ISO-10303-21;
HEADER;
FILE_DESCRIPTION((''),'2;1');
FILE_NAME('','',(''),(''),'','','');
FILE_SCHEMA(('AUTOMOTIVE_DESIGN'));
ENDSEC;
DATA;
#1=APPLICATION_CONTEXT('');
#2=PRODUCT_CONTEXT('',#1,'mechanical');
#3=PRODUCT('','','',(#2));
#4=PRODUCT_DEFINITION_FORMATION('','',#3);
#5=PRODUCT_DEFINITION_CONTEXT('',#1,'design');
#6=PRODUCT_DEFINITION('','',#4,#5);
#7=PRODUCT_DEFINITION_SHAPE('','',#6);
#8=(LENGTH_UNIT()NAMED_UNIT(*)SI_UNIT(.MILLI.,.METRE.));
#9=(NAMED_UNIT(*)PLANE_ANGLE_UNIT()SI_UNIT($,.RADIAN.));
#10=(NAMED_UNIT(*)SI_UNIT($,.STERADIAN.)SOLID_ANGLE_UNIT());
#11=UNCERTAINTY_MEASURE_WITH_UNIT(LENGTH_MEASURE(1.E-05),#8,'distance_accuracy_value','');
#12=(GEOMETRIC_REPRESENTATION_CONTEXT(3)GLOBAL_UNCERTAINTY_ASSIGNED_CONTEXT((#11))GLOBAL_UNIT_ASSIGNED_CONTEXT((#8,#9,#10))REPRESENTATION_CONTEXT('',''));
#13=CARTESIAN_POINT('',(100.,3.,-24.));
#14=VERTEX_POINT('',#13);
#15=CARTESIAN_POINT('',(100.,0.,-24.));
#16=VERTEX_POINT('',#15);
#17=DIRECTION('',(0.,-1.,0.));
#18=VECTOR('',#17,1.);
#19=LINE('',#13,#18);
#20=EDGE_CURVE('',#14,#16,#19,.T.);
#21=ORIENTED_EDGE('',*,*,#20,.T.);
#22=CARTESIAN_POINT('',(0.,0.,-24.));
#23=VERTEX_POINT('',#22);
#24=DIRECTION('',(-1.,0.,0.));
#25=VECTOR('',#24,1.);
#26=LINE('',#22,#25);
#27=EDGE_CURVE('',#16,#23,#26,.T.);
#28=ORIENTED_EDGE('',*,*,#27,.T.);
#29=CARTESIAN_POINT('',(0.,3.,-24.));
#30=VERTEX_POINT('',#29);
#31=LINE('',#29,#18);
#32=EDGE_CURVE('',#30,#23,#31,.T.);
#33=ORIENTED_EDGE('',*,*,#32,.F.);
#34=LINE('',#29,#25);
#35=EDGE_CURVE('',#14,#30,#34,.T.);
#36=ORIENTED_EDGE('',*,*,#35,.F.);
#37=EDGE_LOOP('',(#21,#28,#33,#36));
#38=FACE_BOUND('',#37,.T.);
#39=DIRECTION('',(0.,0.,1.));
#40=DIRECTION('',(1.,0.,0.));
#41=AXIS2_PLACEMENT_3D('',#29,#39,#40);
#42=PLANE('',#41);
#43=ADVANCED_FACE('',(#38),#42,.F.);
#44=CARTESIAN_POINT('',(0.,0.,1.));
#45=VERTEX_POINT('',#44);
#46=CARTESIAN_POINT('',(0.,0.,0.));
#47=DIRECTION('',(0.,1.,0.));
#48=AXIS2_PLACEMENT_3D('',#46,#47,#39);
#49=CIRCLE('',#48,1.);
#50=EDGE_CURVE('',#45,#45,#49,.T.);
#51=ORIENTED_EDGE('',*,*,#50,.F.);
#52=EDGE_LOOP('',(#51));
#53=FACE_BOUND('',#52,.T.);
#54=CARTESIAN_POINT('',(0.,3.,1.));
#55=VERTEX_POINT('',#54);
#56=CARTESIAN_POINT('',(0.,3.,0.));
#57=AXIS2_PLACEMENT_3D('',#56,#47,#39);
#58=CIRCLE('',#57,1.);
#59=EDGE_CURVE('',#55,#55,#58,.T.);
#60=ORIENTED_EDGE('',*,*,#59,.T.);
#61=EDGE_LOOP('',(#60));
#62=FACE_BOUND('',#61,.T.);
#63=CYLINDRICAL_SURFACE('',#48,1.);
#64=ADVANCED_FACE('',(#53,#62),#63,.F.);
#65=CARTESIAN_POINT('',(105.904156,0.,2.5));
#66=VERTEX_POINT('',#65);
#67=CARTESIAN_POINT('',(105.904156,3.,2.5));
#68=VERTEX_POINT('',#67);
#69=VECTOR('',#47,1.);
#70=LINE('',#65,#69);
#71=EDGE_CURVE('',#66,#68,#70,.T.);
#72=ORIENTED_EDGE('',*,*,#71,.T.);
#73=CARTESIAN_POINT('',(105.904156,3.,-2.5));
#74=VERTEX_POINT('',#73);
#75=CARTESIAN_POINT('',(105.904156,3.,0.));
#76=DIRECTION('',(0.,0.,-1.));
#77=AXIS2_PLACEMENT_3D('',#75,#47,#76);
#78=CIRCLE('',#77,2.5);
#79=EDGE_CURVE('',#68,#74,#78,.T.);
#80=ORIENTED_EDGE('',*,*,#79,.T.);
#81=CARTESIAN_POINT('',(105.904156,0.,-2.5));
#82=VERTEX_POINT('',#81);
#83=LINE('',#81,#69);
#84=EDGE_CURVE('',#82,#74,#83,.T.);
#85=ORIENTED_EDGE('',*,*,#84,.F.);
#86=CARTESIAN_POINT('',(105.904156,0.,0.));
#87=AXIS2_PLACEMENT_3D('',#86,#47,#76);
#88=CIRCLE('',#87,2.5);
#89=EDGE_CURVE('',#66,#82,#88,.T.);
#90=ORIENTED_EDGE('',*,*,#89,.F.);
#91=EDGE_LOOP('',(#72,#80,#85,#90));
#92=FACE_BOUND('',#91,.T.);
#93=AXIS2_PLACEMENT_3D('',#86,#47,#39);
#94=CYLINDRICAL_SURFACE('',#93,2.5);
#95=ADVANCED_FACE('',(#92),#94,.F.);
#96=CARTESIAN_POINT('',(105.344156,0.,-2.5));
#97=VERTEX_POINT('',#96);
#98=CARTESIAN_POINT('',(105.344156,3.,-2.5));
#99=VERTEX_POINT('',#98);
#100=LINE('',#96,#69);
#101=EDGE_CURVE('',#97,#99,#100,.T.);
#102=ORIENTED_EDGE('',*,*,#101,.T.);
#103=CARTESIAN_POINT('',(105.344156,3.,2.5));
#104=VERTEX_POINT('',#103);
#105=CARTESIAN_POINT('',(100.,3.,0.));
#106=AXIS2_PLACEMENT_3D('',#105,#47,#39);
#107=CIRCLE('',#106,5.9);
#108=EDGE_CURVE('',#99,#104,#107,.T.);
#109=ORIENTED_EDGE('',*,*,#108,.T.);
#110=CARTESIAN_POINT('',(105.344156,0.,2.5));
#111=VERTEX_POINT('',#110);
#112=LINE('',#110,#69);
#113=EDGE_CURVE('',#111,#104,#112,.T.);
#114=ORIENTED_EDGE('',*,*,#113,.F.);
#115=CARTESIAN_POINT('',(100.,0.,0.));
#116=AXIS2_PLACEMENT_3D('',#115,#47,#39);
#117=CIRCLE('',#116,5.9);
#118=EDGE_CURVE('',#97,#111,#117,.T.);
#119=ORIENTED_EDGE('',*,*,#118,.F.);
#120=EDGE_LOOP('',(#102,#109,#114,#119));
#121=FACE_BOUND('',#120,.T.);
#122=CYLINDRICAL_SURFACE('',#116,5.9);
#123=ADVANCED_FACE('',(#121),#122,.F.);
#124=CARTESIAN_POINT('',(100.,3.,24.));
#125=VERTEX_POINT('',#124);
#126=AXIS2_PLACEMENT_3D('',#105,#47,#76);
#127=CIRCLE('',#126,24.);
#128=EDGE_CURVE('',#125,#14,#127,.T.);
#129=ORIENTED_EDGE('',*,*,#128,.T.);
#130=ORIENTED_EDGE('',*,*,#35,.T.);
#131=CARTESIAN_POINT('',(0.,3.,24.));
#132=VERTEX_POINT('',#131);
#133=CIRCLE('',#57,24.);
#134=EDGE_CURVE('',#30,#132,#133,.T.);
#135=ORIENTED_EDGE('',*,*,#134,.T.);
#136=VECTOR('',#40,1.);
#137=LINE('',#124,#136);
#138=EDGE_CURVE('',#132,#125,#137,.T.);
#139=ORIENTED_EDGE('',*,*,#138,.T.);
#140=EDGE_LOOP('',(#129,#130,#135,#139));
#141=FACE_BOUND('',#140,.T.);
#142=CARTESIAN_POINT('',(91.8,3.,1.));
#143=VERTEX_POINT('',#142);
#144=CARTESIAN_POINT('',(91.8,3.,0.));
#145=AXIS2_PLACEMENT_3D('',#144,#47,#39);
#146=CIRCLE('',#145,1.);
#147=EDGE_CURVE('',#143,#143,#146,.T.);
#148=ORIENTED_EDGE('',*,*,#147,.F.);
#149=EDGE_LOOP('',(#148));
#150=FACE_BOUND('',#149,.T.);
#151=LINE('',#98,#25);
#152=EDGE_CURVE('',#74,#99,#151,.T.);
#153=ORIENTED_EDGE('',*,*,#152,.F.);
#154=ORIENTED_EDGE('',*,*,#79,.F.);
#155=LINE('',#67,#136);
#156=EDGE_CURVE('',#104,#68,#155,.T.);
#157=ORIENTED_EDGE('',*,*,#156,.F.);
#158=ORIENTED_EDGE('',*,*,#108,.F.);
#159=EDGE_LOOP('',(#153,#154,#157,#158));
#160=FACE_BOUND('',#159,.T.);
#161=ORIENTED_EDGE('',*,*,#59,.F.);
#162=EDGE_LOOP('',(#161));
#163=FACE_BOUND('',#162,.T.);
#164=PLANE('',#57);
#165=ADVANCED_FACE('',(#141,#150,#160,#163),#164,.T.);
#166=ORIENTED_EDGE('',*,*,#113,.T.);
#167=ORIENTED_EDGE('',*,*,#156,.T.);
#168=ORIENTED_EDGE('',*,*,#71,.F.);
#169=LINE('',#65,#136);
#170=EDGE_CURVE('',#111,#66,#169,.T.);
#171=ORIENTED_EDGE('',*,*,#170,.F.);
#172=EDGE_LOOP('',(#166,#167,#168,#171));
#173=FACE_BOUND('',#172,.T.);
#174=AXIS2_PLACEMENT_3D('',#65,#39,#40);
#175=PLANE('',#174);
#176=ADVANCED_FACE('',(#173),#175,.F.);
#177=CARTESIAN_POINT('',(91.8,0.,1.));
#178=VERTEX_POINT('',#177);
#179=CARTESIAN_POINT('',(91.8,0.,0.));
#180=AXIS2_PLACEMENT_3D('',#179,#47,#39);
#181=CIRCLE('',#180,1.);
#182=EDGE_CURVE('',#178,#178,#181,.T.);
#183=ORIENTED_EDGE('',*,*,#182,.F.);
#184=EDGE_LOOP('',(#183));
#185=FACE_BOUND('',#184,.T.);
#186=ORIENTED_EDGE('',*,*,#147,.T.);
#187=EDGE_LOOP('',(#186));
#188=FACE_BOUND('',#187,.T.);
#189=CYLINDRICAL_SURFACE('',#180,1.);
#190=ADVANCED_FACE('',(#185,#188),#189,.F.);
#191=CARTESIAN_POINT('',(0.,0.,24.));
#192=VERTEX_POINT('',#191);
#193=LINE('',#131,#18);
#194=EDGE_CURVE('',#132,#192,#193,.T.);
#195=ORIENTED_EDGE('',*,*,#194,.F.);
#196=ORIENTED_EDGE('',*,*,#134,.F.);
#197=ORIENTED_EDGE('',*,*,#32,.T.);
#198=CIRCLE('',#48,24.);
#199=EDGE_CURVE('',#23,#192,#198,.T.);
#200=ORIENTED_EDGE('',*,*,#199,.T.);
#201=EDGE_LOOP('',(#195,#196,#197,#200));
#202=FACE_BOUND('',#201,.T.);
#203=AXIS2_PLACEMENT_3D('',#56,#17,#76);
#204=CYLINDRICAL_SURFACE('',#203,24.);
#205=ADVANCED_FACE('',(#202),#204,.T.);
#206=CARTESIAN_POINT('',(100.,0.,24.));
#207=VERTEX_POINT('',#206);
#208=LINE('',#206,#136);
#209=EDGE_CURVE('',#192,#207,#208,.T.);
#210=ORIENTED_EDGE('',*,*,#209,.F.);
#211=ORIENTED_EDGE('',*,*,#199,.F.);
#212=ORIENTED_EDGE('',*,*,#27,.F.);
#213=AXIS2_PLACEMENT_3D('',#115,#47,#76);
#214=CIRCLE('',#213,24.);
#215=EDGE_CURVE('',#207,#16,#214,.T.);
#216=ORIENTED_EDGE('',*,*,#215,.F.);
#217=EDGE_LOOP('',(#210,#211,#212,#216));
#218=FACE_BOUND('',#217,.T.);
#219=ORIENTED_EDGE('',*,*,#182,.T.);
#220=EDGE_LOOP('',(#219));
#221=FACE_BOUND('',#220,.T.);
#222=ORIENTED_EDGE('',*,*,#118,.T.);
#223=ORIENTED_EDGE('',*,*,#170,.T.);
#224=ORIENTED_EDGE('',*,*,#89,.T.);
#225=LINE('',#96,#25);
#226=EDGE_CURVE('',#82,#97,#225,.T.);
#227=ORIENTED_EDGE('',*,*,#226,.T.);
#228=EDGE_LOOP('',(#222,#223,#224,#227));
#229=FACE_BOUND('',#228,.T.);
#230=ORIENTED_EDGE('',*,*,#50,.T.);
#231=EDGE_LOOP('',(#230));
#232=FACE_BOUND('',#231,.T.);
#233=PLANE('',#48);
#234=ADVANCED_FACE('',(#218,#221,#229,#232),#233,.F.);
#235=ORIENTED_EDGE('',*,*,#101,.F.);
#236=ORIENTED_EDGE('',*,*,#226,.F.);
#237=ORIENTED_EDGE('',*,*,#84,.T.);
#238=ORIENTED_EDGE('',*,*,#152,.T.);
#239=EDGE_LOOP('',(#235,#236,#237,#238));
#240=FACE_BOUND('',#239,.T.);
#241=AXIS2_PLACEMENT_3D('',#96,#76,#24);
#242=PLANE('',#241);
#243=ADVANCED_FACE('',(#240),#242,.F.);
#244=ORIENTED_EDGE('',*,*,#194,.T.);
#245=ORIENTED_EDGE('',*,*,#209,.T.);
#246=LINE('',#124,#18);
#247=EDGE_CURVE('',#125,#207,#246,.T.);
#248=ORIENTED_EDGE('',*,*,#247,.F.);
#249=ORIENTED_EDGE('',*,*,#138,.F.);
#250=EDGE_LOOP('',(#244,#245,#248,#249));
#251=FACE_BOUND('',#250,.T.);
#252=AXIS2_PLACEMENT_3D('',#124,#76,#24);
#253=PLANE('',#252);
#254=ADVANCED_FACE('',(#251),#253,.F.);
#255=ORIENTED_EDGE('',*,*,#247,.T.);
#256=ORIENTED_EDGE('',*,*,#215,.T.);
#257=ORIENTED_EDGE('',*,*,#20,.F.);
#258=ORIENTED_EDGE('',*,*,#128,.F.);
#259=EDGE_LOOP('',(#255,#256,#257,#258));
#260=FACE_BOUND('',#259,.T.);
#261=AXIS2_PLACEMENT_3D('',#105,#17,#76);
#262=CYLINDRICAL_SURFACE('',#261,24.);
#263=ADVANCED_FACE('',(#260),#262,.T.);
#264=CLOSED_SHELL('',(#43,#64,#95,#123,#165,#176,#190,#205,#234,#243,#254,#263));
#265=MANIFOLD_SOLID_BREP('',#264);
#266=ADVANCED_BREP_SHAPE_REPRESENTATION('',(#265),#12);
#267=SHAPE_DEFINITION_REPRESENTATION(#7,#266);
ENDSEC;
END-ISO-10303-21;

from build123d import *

# Parameters (mm, degrees)
BOSS_EXTRUDE1_DEPTH = 3
SKETCH2_R           = 1
CUT_EXTRUDE1_DEPTH  = 3
CUT_EXTRUDE2_DEPTH  = 3
SKETCH4_R           = 1
CUT_EXTRUDE3_DEPTH  = 3


with BuildPart() as part:
    # Sketch1 → Boss-Extrude1 (new body)
    with BuildSketch(Plane(origin=(0, 0, 0), x_dir=(1, 0, 0), z_dir=(0, 1, 0))):
        with BuildLine():
            Line((0, 24), (100, 24))
            ThreePointArc((100, 24), (124, 0), (100, -24))
            Line((100, -24), (0, -24))
            ThreePointArc((0, -24), (-24, 0), (0, 24))
        make_face()
    extrude(amount=BOSS_EXTRUDE1_DEPTH)

    # Sketch2 → Cut-Extrude1 (cut)
    with BuildSketch(Plane(origin=(0, 3, 0), x_dir=(1, 0, 0), z_dir=(0, 1, 0))):
        with Locations(Location((0, 0, 0), (0, 0, 270))):
            Circle(SKETCH2_R)
    extrude(amount=-CUT_EXTRUDE1_DEPTH, mode=Mode.SUBTRACT)

    # Sketch3 → Cut-Extrude2 (cut)
    with BuildSketch(Plane(origin=(0, 3, 0), x_dir=(1, 0, 0), z_dir=(0, 1, 0))):
        with BuildLine():
            Line((105.344155686, 2.5), (105.904155686, 2.5))
            ThreePointArc((105.904155686, 2.5), (108.404155686, 0), (105.904155686, -2.5))
            Line((105.904155686, -2.5), (105.344155686, -2.5))
            ThreePointArc((105.344155686, -2.5), (94.1, 0), (105.344155686, 2.5))
        make_face()
    extrude(amount=-CUT_EXTRUDE2_DEPTH, mode=Mode.SUBTRACT)

    # Sketch4 → Cut-Extrude3 (cut)
    with BuildSketch(Plane(origin=(0, 3, 0), x_dir=(1, 0, 0), z_dir=(0, 1, 0))):
        with Locations(Location((91.8, 0, 0), (0, 0, 270))):
            Circle(SKETCH4_R)
    extrude(amount=-CUT_EXTRUDE3_DEPTH, mode=Mode.SUBTRACT)


solid = part.part
